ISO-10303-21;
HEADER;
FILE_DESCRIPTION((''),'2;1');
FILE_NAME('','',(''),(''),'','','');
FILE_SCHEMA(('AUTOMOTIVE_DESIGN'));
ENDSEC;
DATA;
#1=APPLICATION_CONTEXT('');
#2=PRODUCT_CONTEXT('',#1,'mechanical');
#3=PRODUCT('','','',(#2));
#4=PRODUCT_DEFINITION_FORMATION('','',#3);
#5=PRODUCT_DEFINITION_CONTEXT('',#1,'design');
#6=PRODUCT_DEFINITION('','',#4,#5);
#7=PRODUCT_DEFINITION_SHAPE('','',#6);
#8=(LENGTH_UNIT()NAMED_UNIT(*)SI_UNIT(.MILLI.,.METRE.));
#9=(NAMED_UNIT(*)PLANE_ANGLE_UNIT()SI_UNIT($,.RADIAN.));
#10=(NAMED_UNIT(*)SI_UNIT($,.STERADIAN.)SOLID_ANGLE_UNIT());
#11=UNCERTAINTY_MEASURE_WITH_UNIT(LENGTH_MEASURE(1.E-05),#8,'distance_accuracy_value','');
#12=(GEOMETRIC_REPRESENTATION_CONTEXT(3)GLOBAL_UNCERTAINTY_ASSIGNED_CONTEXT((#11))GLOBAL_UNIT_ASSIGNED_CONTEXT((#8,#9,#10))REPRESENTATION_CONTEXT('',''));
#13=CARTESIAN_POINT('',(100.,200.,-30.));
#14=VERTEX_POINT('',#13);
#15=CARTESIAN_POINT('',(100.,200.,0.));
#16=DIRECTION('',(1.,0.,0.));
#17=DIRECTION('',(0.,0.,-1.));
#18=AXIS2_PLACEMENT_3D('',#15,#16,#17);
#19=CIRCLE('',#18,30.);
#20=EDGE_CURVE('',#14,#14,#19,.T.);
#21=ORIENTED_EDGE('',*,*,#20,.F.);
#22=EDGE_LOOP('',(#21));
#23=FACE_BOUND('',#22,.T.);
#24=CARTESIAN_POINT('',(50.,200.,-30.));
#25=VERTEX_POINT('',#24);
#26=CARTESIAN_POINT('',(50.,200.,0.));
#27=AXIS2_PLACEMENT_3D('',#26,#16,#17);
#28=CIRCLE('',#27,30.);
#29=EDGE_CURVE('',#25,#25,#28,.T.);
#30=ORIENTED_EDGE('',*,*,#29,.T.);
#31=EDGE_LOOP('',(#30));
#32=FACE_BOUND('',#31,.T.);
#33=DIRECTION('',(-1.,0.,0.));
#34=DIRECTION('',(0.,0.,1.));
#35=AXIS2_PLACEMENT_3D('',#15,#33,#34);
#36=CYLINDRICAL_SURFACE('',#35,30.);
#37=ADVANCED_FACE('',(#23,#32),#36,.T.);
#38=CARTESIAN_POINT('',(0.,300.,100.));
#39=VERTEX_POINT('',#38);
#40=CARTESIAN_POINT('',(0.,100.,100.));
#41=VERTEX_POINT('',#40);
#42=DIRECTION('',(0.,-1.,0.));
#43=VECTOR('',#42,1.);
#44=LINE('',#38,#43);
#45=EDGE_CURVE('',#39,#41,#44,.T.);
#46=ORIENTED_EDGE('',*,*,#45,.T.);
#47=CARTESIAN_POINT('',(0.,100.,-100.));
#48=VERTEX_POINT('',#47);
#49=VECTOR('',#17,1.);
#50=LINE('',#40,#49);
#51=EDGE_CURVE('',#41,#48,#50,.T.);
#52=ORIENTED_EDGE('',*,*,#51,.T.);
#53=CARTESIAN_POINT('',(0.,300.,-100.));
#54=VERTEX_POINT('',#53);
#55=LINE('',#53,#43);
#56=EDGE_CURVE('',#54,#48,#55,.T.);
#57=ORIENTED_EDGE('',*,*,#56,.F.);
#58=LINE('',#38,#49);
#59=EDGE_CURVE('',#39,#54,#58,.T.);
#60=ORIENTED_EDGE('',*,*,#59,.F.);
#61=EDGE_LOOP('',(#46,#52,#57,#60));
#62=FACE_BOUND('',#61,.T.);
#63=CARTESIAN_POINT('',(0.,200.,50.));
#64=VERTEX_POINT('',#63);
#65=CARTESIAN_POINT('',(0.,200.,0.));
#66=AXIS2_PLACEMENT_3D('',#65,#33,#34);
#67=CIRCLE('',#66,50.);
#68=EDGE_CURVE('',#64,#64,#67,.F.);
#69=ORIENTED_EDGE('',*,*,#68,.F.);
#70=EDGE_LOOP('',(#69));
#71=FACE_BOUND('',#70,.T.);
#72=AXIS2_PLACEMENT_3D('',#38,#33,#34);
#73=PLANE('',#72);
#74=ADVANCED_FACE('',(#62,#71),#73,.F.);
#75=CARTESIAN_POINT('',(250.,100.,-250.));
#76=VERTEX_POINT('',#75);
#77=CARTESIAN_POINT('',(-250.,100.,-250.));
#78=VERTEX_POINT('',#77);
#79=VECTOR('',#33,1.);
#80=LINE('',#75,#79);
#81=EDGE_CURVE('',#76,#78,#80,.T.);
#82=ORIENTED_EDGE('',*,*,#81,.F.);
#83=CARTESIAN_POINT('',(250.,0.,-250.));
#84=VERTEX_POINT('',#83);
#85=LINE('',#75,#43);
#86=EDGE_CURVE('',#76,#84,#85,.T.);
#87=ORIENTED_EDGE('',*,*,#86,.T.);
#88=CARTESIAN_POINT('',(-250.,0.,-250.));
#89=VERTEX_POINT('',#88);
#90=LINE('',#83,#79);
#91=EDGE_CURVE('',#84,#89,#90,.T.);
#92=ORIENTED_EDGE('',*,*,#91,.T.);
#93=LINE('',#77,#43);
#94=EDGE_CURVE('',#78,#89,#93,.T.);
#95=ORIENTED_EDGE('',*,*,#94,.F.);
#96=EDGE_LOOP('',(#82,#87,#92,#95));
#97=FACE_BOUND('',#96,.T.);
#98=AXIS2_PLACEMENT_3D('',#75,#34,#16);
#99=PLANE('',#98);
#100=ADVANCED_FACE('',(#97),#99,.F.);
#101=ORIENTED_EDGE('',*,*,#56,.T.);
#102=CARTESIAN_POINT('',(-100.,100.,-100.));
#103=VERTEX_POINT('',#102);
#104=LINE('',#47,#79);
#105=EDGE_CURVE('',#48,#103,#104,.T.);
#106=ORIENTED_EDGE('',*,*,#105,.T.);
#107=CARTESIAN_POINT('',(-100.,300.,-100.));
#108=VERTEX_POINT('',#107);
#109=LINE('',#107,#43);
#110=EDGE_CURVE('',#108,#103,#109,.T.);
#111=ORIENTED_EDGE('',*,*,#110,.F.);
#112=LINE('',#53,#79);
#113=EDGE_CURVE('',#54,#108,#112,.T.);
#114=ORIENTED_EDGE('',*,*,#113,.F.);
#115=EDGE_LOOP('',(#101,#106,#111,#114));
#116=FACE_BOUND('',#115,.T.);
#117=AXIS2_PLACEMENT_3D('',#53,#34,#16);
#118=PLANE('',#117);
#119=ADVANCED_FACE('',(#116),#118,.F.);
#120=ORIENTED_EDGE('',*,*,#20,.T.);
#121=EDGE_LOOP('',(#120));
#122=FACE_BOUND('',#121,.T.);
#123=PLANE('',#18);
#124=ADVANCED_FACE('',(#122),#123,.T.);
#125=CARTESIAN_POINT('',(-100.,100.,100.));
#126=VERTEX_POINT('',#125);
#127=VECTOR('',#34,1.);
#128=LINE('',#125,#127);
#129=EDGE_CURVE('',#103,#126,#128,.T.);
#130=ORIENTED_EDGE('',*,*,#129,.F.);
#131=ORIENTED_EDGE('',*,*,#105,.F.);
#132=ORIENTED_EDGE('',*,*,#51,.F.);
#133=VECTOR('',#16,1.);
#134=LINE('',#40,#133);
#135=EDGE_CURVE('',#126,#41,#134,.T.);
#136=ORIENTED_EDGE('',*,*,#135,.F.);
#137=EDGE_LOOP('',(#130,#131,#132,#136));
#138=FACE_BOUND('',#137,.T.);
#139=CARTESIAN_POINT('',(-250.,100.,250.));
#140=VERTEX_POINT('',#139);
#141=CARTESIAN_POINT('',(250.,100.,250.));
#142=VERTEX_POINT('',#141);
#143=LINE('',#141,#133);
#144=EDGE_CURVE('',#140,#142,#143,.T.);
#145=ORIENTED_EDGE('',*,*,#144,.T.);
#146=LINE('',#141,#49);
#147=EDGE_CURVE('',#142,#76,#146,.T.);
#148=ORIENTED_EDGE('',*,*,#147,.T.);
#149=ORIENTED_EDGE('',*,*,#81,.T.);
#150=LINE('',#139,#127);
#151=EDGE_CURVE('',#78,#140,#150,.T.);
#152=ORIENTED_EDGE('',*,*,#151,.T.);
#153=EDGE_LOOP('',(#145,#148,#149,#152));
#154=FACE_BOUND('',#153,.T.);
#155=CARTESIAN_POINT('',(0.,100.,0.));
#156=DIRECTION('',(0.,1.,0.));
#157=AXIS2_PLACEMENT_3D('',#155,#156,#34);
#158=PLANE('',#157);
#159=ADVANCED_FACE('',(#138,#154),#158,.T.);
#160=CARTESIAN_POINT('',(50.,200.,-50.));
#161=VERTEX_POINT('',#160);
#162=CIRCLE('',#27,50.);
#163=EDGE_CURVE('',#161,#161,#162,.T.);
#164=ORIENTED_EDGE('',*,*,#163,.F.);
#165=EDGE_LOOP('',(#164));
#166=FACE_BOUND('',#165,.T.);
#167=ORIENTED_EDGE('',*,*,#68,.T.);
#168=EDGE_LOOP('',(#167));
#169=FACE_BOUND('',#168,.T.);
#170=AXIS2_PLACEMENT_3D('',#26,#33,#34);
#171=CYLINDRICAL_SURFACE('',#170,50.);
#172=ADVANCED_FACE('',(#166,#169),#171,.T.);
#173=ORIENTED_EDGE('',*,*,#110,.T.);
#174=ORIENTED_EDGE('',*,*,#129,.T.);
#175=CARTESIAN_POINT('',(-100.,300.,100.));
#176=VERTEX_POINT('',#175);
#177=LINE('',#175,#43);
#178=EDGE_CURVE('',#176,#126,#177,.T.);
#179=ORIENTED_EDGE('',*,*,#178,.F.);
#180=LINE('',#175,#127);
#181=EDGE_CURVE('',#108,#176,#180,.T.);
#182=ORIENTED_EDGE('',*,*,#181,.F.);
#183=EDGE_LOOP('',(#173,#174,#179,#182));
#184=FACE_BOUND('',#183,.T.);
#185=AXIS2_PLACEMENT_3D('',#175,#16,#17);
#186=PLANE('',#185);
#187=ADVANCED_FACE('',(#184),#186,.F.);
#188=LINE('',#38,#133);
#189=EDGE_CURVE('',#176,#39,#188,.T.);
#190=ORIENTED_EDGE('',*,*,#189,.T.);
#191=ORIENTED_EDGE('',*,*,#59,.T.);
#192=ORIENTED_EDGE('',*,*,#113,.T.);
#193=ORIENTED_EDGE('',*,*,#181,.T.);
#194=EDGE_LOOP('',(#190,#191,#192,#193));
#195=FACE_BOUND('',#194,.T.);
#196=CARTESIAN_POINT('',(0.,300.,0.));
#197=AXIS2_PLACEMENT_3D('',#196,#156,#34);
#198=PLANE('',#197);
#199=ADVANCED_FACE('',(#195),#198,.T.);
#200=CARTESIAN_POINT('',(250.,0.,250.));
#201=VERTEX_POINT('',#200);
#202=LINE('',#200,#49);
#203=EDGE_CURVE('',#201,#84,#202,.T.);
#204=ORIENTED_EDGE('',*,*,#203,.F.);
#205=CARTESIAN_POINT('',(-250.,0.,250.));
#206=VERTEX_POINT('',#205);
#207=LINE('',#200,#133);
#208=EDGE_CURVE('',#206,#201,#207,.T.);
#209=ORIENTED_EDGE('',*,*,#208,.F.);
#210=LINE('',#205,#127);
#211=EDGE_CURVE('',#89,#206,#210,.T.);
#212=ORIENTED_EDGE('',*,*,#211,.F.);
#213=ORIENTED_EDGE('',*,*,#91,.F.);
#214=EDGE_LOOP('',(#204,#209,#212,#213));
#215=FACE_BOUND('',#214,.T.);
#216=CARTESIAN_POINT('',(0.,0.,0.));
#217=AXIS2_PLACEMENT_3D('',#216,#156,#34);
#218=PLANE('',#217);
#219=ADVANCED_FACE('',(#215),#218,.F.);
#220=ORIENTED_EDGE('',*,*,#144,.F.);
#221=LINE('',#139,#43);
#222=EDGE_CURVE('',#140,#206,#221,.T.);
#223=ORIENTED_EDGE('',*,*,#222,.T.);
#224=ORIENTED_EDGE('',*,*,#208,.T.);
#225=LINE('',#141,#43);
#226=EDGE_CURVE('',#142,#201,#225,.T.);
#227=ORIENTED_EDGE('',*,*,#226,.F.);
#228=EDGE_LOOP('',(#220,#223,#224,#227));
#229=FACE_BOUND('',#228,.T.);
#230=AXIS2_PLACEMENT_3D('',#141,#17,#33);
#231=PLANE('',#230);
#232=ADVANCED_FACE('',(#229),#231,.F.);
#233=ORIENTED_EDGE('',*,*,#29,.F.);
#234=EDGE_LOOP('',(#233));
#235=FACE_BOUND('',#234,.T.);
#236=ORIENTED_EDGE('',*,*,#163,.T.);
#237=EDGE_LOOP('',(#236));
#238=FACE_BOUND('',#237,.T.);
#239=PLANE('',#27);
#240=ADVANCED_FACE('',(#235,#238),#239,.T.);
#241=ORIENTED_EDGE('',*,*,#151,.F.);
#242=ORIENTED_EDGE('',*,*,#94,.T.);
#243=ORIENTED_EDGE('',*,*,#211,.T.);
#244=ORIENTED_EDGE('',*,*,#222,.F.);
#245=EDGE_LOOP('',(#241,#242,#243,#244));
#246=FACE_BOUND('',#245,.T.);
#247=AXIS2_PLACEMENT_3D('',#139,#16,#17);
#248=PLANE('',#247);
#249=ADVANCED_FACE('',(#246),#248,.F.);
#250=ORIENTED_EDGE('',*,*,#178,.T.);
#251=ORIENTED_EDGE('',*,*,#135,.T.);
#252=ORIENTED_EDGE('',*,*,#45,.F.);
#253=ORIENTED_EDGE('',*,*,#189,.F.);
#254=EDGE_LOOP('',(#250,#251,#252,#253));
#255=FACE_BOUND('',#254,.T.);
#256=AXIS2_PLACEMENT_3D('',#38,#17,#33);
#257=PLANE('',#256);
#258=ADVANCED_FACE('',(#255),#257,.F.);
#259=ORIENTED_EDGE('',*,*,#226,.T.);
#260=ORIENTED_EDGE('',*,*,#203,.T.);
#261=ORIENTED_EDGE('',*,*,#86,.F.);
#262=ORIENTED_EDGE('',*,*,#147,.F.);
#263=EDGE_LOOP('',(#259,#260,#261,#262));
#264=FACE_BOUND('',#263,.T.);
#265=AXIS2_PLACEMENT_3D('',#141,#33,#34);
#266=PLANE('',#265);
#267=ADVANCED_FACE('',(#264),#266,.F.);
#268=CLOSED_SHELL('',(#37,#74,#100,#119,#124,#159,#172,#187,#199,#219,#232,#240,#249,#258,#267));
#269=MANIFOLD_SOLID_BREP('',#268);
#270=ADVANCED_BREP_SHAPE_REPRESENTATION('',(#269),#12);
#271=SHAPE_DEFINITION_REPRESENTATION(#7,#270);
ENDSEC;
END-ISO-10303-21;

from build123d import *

# Parameters (mm, degrees)
IZIM1_W                     = 500
IZIM1_H                     = 500
Y_KSEKLIK_EKSTR_ZYON1_DEPTH = 100
IZIM2_W                     = 100
IZIM2_H                     = 200
Y_KSEKLIK_EKSTR_ZYON2_DEPTH = 200
IZIM3_R                     = 50
Y_KSEKLIK_EKSTR_ZYON3_DEPTH = 50
IZIM4_R                     = 30
Y_KSEKLIK_EKSTR_ZYON4_DEPTH = 50


with BuildPart() as part:
    # Çizim1 → Yükseklik-Ekstrüzyon1 (new body)
    with BuildSketch(Plane(origin=(0, 0, 0), x_dir=(1, 0, 0), z_dir=(0, 1, 0))):
        Rectangle(IZIM1_W, IZIM1_H)
    extrude(amount=Y_KSEKLIK_EKSTR_ZYON1_DEPTH)

    # Çizim2 → Yükseklik-Ekstrüzyon2 (add)
    with BuildSketch(Plane(origin=(0, 100, 0), x_dir=(1, 0, 0), z_dir=(0, 1, 0))):
        with Locations((-50, 0)):
            Rectangle(IZIM2_W, IZIM2_H)
    extrude(amount=Y_KSEKLIK_EKSTR_ZYON2_DEPTH)

    # Çizim3 → Yükseklik-Ekstrüzyon3 (add)
    with BuildSketch(Plane(origin=(0, 0, 0), x_dir=(0, 0, -1), z_dir=(1, 0, 0))):
        with Locations(Location((0, 200, 0), (0, 0, 180))):
            Circle(IZIM3_R)
    extrude(amount=Y_KSEKLIK_EKSTR_ZYON3_DEPTH)

    # Çizim4 → Yükseklik-Ekstrüzyon4 (add)
    with BuildSketch(Plane(origin=(50, 0, 0), x_dir=(0, 0, -1), z_dir=(1, 0, 0))):
        with Locations((0, 200)):
            Circle(IZIM4_R)
    extrude(amount=Y_KSEKLIK_EKSTR_ZYON4_DEPTH)


solid = part.part
